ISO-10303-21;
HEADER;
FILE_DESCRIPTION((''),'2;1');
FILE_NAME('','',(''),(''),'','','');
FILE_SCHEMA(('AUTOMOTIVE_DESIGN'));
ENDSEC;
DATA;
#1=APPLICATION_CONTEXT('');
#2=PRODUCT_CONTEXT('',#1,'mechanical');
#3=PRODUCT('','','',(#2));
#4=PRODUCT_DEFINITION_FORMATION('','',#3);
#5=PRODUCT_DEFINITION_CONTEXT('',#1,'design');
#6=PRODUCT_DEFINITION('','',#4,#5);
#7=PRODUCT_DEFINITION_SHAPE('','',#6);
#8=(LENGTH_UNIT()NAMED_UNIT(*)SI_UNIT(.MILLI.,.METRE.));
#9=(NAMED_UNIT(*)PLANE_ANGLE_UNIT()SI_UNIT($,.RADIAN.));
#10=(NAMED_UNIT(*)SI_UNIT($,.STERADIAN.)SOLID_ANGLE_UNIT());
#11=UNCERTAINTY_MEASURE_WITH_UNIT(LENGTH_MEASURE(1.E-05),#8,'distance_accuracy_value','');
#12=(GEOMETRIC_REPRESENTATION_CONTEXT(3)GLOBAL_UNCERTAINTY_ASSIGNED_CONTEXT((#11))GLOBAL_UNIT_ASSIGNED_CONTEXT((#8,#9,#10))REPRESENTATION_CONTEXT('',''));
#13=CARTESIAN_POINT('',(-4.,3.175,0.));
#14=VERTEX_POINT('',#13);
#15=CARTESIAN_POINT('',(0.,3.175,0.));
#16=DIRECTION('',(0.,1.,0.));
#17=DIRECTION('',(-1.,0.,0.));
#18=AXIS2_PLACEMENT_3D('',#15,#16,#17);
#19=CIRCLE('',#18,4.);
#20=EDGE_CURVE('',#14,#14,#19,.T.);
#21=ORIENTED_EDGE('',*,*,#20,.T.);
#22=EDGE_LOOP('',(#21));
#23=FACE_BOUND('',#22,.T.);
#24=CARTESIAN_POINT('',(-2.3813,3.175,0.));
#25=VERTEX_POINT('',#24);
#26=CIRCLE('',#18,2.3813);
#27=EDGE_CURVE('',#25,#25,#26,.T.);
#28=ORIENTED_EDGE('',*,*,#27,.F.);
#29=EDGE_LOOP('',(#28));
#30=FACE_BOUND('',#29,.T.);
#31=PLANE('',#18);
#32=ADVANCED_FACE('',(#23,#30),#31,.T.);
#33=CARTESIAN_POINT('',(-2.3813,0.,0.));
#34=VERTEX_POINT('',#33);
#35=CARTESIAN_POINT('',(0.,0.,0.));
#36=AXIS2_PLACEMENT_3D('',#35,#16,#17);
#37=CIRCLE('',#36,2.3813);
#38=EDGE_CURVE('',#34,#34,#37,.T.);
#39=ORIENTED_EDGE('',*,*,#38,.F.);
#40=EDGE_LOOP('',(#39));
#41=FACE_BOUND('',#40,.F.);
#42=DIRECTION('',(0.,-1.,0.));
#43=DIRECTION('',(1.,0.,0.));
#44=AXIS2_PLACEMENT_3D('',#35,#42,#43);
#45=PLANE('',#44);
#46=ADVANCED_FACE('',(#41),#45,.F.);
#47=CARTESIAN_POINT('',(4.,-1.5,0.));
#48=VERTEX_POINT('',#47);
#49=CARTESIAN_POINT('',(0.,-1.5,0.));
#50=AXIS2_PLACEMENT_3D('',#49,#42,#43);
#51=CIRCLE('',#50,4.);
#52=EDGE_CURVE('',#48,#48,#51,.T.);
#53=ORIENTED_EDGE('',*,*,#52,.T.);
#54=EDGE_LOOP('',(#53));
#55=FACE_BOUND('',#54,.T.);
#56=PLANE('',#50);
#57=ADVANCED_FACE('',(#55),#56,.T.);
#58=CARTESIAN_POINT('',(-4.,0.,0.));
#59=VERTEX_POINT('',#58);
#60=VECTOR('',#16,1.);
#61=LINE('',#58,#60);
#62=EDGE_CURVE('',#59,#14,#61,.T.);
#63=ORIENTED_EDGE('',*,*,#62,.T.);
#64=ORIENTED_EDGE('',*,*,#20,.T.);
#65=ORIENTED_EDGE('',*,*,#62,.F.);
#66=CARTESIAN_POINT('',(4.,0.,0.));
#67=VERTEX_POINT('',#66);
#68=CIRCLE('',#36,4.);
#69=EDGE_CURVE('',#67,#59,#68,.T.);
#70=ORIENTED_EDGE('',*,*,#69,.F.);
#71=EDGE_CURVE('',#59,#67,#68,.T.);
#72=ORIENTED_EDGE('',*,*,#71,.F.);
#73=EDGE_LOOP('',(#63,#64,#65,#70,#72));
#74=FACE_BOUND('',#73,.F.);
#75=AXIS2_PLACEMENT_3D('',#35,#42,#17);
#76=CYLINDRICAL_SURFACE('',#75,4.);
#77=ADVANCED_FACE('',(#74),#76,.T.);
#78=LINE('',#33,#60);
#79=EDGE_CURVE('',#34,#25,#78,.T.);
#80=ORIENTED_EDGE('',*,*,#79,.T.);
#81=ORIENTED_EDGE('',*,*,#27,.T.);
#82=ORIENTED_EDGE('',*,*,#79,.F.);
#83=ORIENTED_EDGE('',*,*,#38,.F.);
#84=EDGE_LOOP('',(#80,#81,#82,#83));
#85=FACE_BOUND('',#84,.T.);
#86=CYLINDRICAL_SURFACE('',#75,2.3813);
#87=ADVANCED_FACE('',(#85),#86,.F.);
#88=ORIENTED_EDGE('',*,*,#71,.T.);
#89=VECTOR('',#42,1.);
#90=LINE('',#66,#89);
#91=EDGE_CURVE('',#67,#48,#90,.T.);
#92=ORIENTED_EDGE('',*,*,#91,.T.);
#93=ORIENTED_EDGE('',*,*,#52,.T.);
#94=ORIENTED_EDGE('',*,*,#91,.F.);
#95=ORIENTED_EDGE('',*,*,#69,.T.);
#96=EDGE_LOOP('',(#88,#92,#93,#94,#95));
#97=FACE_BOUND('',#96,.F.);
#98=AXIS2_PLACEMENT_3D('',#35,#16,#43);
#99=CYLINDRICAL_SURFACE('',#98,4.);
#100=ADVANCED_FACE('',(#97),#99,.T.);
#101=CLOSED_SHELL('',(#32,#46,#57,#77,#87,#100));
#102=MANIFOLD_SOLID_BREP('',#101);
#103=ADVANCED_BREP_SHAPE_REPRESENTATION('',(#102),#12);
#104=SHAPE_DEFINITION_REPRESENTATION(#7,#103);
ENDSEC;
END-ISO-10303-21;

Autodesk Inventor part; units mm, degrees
ref_plane "YZ Plane" through (0, 0, 0) normal (1, 0, 0) x (0, 1, 0)
ref_plane "XZ Plane" through (0, 0, 0) normal (0, 1, 0) x (-1, 0, 0)
ref_plane "XY Plane" through (0, 0, 0) normal (0, 0, 1) x (1, 0, 0)
sketch "Sketch1" plane through (0, 0, 0) normal (0, 1, 0) x (-1, 0, 0)
  circle A0 centre (0, 0) radius 4
  circle A1 centre (0, 0) radius 2.3813
  dimension "d0" = 8
  dimension "d1" = 4.7625
extrude "Extrusion1" add sketch "Sketch1" along normal blind 3.175
sketch "Sketch2" plane through (0, 0, 0) normal (0, -1, 0) x (1, 0, 0)
  circle A0 centre (0, 0) radius 4 projected
extrude "Extrusion2" add sketch "Sketch2" along normal blind 1.5
properties part number "MagnetHolder" material "ABS Plastic"
